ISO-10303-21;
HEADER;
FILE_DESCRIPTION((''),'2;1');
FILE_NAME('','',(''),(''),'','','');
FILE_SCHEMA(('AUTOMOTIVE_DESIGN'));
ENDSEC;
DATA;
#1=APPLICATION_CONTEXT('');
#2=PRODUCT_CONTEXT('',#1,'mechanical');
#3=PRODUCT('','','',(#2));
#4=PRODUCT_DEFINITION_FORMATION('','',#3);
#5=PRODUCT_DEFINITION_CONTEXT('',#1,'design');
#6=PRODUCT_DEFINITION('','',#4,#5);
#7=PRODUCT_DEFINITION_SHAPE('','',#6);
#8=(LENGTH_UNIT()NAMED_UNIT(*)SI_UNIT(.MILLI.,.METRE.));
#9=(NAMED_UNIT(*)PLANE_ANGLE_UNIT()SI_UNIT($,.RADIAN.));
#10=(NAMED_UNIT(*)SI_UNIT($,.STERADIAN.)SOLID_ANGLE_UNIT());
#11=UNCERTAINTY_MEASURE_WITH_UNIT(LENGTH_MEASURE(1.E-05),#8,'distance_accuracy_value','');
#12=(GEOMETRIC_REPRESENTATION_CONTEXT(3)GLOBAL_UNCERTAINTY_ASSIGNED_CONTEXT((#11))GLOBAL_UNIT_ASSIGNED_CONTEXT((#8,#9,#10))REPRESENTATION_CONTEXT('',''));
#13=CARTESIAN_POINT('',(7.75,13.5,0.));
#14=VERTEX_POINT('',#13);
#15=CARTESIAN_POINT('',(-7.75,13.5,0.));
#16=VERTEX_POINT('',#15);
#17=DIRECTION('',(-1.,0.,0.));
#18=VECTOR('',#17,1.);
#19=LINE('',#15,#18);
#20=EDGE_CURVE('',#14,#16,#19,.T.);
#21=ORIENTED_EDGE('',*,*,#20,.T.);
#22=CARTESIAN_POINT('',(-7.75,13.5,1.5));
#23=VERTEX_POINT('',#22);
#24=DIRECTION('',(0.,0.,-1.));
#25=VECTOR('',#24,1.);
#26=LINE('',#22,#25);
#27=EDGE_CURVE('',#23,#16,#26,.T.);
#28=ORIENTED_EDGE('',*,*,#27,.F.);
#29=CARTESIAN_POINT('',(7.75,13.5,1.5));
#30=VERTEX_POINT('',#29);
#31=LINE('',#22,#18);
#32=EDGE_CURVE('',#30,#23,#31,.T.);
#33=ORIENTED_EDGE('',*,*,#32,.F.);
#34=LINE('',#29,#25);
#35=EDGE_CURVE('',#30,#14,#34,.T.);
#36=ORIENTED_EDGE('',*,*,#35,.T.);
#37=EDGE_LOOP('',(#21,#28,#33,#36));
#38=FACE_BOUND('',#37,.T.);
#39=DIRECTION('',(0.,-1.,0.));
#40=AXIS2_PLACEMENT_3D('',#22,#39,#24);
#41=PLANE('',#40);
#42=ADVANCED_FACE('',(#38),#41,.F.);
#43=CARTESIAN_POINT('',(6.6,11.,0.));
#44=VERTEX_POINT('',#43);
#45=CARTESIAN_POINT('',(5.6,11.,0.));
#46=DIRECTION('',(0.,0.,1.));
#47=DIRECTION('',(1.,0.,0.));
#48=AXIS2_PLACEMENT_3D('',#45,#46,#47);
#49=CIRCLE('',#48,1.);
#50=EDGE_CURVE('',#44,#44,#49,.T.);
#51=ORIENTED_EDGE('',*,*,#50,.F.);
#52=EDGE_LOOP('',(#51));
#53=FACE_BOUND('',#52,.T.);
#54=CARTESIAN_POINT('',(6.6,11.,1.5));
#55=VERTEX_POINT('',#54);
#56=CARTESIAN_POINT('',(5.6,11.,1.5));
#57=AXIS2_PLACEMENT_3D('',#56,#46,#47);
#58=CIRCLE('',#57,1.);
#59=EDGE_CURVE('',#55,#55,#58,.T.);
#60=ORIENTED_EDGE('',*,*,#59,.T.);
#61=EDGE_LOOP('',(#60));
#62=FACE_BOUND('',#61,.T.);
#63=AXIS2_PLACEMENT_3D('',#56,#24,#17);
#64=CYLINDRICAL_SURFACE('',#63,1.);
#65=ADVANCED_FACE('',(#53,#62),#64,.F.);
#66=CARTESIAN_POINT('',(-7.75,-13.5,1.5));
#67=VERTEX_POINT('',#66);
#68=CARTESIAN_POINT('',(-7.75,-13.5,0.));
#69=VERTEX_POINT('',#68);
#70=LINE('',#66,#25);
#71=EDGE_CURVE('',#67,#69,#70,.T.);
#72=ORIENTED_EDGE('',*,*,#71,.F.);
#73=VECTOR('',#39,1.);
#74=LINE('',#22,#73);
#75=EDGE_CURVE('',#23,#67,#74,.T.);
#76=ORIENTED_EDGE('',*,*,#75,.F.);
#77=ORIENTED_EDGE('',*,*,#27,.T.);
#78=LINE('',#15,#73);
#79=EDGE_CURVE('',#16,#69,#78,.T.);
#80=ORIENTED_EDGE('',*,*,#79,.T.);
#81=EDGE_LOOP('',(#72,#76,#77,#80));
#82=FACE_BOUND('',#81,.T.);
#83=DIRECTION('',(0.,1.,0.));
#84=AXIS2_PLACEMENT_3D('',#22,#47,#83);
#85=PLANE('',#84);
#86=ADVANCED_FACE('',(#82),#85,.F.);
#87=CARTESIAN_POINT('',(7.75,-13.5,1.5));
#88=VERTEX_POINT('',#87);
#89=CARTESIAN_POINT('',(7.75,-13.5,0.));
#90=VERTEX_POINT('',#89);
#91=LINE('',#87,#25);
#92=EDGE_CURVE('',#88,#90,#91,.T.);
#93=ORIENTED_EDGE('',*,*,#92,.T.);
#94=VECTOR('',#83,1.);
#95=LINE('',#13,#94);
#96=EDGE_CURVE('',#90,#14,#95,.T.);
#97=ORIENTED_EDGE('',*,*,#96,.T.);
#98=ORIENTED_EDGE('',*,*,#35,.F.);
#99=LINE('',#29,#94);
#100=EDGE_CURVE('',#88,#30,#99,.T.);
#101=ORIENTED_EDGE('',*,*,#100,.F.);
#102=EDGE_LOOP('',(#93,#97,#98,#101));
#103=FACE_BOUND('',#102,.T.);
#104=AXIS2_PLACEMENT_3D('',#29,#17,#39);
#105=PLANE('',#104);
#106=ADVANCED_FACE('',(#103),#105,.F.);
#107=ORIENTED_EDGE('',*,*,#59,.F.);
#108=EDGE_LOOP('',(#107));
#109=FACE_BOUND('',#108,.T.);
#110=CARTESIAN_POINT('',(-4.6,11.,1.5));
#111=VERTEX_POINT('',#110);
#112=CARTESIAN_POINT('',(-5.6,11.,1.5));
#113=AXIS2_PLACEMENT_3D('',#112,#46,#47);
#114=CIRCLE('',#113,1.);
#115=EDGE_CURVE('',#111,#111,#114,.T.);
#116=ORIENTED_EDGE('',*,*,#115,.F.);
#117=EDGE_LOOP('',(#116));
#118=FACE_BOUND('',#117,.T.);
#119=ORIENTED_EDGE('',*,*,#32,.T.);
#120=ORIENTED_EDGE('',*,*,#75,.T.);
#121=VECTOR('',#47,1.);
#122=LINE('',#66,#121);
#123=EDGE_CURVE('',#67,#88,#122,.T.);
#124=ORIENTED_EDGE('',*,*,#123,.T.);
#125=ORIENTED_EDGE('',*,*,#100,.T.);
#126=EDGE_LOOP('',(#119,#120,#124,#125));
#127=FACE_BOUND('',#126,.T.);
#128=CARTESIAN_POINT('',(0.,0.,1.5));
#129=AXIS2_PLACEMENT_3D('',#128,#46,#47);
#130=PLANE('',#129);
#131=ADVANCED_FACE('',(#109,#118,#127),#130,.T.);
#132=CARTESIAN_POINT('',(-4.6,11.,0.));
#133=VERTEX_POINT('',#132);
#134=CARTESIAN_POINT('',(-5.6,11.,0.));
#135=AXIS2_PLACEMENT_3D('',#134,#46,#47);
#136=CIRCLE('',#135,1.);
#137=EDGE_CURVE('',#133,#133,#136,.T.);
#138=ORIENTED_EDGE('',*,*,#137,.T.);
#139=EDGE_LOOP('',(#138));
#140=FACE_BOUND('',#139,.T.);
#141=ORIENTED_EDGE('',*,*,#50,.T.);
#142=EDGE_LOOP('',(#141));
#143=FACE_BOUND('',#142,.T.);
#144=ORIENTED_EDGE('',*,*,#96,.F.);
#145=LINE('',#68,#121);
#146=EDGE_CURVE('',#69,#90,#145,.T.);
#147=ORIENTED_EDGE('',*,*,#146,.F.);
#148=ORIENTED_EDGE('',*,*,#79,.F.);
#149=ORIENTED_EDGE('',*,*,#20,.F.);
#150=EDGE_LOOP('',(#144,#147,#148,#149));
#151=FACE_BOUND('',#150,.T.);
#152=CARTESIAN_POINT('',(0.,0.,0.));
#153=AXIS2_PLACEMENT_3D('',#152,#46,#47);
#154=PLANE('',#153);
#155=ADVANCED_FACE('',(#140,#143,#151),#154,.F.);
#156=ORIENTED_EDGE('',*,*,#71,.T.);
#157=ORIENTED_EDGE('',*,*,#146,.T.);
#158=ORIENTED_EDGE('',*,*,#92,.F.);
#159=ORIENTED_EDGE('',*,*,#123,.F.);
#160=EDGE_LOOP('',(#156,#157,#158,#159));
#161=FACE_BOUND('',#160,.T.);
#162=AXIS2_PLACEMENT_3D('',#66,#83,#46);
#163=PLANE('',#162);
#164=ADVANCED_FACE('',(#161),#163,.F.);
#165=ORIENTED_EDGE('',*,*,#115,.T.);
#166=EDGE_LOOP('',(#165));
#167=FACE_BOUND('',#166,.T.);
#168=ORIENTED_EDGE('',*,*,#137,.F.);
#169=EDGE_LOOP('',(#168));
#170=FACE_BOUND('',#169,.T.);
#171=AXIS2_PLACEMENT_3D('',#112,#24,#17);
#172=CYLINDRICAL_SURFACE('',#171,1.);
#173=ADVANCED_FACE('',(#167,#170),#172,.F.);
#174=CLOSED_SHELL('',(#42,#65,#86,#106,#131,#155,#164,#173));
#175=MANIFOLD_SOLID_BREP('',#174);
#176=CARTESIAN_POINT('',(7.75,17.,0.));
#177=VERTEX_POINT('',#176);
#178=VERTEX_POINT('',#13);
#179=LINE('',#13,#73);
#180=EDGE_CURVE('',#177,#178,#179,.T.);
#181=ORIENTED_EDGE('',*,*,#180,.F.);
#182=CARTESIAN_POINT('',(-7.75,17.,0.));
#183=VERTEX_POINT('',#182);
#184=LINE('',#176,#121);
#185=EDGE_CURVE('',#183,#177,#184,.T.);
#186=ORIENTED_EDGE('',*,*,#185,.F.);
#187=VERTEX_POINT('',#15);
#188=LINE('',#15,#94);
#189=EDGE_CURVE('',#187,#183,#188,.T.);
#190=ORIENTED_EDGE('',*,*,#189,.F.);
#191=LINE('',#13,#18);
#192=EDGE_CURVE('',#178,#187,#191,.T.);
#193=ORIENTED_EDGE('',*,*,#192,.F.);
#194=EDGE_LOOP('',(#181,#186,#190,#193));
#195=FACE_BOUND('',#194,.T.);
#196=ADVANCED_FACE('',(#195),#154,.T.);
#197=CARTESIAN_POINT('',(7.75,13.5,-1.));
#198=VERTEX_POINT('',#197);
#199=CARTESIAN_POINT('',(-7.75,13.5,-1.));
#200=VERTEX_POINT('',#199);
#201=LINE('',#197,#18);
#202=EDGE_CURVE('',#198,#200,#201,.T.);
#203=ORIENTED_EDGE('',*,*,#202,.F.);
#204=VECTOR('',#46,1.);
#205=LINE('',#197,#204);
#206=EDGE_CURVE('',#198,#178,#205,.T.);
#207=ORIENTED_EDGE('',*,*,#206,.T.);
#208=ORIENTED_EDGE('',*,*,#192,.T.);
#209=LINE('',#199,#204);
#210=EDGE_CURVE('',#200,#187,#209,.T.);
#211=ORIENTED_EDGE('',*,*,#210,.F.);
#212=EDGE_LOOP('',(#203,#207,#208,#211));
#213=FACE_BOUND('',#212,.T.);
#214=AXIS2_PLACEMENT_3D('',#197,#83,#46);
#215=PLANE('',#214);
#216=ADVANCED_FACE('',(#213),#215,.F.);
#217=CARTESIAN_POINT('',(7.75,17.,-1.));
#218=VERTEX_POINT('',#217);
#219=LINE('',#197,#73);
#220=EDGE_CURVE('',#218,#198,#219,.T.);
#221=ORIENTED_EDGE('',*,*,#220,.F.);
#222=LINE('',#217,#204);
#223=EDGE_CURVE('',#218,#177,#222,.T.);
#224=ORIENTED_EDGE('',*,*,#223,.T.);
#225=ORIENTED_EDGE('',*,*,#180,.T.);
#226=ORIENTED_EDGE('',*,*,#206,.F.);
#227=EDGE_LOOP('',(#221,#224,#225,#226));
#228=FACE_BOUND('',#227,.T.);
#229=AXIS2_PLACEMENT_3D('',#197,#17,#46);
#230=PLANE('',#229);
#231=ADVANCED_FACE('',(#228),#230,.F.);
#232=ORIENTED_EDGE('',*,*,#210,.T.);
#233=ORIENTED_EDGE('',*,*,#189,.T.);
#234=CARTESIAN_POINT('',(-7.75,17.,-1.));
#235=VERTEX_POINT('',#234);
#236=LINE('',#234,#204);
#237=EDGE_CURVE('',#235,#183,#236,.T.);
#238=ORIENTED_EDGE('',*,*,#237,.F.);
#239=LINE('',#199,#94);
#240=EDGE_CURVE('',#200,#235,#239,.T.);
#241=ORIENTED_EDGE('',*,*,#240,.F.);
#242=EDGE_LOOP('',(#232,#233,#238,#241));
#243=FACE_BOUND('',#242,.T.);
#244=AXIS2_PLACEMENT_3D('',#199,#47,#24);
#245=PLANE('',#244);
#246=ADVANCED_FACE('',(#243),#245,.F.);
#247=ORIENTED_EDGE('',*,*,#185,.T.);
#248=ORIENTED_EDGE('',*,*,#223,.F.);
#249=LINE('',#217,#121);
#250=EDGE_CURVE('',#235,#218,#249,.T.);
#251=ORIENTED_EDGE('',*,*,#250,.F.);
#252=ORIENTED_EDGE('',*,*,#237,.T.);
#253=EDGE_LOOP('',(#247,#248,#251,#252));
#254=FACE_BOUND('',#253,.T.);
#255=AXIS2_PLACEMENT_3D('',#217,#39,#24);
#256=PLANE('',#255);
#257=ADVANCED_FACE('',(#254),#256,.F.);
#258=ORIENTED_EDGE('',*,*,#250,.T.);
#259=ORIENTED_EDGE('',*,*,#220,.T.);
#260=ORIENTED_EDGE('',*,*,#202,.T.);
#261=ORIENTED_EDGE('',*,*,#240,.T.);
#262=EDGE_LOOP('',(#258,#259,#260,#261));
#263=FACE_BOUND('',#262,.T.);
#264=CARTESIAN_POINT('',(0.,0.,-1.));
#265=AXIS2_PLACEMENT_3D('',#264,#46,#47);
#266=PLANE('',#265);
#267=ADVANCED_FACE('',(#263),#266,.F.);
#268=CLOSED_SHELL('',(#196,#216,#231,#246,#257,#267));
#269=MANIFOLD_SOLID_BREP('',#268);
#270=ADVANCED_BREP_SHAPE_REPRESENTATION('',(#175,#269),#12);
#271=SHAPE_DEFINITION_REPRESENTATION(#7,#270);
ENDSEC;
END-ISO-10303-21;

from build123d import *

# Parameters (mm, degrees)
SZKIC1_W                    = 15.5
SZKIC1_H                    = 27
SZKIC1_R                    = 1
DODANIE_WYCI_GNI_CIE1_DEPTH = 1.5
SZKIC2_W                    = 15.5
SZKIC2_H                    = 3.5
DODANIE_WYCI_GNI_CIE2_DEPTH = 1


with BuildPart() as part:
    # Szkic1 → Dodanie-wyciągnięcie1 (new body)
    with BuildSketch(Plane.XY):
        Rectangle(SZKIC1_W, SZKIC1_H)
        with Locations((-5.6, 11)):
            Circle(SZKIC1_R, mode=Mode.SUBTRACT)
        with Locations((5.6, 11)):
            Circle(SZKIC1_R, mode=Mode.SUBTRACT)
    extrude(amount=DODANIE_WYCI_GNI_CIE1_DEPTH)


with BuildPart() as body_2:
    # Szkic2 → Dodanie-wyciągnięcie2 (new body)
    with BuildSketch(Plane(origin=(0, 0, 0), x_dir=(-1, 0, 0), z_dir=(0, 0, -1))):
        with Locations((0, 15.25)):
            Rectangle(SZKIC2_W, SZKIC2_H)
    extrude(amount=DODANIE_WYCI_GNI_CIE2_DEPTH)


solid = Compound([part.part, body_2.part])
